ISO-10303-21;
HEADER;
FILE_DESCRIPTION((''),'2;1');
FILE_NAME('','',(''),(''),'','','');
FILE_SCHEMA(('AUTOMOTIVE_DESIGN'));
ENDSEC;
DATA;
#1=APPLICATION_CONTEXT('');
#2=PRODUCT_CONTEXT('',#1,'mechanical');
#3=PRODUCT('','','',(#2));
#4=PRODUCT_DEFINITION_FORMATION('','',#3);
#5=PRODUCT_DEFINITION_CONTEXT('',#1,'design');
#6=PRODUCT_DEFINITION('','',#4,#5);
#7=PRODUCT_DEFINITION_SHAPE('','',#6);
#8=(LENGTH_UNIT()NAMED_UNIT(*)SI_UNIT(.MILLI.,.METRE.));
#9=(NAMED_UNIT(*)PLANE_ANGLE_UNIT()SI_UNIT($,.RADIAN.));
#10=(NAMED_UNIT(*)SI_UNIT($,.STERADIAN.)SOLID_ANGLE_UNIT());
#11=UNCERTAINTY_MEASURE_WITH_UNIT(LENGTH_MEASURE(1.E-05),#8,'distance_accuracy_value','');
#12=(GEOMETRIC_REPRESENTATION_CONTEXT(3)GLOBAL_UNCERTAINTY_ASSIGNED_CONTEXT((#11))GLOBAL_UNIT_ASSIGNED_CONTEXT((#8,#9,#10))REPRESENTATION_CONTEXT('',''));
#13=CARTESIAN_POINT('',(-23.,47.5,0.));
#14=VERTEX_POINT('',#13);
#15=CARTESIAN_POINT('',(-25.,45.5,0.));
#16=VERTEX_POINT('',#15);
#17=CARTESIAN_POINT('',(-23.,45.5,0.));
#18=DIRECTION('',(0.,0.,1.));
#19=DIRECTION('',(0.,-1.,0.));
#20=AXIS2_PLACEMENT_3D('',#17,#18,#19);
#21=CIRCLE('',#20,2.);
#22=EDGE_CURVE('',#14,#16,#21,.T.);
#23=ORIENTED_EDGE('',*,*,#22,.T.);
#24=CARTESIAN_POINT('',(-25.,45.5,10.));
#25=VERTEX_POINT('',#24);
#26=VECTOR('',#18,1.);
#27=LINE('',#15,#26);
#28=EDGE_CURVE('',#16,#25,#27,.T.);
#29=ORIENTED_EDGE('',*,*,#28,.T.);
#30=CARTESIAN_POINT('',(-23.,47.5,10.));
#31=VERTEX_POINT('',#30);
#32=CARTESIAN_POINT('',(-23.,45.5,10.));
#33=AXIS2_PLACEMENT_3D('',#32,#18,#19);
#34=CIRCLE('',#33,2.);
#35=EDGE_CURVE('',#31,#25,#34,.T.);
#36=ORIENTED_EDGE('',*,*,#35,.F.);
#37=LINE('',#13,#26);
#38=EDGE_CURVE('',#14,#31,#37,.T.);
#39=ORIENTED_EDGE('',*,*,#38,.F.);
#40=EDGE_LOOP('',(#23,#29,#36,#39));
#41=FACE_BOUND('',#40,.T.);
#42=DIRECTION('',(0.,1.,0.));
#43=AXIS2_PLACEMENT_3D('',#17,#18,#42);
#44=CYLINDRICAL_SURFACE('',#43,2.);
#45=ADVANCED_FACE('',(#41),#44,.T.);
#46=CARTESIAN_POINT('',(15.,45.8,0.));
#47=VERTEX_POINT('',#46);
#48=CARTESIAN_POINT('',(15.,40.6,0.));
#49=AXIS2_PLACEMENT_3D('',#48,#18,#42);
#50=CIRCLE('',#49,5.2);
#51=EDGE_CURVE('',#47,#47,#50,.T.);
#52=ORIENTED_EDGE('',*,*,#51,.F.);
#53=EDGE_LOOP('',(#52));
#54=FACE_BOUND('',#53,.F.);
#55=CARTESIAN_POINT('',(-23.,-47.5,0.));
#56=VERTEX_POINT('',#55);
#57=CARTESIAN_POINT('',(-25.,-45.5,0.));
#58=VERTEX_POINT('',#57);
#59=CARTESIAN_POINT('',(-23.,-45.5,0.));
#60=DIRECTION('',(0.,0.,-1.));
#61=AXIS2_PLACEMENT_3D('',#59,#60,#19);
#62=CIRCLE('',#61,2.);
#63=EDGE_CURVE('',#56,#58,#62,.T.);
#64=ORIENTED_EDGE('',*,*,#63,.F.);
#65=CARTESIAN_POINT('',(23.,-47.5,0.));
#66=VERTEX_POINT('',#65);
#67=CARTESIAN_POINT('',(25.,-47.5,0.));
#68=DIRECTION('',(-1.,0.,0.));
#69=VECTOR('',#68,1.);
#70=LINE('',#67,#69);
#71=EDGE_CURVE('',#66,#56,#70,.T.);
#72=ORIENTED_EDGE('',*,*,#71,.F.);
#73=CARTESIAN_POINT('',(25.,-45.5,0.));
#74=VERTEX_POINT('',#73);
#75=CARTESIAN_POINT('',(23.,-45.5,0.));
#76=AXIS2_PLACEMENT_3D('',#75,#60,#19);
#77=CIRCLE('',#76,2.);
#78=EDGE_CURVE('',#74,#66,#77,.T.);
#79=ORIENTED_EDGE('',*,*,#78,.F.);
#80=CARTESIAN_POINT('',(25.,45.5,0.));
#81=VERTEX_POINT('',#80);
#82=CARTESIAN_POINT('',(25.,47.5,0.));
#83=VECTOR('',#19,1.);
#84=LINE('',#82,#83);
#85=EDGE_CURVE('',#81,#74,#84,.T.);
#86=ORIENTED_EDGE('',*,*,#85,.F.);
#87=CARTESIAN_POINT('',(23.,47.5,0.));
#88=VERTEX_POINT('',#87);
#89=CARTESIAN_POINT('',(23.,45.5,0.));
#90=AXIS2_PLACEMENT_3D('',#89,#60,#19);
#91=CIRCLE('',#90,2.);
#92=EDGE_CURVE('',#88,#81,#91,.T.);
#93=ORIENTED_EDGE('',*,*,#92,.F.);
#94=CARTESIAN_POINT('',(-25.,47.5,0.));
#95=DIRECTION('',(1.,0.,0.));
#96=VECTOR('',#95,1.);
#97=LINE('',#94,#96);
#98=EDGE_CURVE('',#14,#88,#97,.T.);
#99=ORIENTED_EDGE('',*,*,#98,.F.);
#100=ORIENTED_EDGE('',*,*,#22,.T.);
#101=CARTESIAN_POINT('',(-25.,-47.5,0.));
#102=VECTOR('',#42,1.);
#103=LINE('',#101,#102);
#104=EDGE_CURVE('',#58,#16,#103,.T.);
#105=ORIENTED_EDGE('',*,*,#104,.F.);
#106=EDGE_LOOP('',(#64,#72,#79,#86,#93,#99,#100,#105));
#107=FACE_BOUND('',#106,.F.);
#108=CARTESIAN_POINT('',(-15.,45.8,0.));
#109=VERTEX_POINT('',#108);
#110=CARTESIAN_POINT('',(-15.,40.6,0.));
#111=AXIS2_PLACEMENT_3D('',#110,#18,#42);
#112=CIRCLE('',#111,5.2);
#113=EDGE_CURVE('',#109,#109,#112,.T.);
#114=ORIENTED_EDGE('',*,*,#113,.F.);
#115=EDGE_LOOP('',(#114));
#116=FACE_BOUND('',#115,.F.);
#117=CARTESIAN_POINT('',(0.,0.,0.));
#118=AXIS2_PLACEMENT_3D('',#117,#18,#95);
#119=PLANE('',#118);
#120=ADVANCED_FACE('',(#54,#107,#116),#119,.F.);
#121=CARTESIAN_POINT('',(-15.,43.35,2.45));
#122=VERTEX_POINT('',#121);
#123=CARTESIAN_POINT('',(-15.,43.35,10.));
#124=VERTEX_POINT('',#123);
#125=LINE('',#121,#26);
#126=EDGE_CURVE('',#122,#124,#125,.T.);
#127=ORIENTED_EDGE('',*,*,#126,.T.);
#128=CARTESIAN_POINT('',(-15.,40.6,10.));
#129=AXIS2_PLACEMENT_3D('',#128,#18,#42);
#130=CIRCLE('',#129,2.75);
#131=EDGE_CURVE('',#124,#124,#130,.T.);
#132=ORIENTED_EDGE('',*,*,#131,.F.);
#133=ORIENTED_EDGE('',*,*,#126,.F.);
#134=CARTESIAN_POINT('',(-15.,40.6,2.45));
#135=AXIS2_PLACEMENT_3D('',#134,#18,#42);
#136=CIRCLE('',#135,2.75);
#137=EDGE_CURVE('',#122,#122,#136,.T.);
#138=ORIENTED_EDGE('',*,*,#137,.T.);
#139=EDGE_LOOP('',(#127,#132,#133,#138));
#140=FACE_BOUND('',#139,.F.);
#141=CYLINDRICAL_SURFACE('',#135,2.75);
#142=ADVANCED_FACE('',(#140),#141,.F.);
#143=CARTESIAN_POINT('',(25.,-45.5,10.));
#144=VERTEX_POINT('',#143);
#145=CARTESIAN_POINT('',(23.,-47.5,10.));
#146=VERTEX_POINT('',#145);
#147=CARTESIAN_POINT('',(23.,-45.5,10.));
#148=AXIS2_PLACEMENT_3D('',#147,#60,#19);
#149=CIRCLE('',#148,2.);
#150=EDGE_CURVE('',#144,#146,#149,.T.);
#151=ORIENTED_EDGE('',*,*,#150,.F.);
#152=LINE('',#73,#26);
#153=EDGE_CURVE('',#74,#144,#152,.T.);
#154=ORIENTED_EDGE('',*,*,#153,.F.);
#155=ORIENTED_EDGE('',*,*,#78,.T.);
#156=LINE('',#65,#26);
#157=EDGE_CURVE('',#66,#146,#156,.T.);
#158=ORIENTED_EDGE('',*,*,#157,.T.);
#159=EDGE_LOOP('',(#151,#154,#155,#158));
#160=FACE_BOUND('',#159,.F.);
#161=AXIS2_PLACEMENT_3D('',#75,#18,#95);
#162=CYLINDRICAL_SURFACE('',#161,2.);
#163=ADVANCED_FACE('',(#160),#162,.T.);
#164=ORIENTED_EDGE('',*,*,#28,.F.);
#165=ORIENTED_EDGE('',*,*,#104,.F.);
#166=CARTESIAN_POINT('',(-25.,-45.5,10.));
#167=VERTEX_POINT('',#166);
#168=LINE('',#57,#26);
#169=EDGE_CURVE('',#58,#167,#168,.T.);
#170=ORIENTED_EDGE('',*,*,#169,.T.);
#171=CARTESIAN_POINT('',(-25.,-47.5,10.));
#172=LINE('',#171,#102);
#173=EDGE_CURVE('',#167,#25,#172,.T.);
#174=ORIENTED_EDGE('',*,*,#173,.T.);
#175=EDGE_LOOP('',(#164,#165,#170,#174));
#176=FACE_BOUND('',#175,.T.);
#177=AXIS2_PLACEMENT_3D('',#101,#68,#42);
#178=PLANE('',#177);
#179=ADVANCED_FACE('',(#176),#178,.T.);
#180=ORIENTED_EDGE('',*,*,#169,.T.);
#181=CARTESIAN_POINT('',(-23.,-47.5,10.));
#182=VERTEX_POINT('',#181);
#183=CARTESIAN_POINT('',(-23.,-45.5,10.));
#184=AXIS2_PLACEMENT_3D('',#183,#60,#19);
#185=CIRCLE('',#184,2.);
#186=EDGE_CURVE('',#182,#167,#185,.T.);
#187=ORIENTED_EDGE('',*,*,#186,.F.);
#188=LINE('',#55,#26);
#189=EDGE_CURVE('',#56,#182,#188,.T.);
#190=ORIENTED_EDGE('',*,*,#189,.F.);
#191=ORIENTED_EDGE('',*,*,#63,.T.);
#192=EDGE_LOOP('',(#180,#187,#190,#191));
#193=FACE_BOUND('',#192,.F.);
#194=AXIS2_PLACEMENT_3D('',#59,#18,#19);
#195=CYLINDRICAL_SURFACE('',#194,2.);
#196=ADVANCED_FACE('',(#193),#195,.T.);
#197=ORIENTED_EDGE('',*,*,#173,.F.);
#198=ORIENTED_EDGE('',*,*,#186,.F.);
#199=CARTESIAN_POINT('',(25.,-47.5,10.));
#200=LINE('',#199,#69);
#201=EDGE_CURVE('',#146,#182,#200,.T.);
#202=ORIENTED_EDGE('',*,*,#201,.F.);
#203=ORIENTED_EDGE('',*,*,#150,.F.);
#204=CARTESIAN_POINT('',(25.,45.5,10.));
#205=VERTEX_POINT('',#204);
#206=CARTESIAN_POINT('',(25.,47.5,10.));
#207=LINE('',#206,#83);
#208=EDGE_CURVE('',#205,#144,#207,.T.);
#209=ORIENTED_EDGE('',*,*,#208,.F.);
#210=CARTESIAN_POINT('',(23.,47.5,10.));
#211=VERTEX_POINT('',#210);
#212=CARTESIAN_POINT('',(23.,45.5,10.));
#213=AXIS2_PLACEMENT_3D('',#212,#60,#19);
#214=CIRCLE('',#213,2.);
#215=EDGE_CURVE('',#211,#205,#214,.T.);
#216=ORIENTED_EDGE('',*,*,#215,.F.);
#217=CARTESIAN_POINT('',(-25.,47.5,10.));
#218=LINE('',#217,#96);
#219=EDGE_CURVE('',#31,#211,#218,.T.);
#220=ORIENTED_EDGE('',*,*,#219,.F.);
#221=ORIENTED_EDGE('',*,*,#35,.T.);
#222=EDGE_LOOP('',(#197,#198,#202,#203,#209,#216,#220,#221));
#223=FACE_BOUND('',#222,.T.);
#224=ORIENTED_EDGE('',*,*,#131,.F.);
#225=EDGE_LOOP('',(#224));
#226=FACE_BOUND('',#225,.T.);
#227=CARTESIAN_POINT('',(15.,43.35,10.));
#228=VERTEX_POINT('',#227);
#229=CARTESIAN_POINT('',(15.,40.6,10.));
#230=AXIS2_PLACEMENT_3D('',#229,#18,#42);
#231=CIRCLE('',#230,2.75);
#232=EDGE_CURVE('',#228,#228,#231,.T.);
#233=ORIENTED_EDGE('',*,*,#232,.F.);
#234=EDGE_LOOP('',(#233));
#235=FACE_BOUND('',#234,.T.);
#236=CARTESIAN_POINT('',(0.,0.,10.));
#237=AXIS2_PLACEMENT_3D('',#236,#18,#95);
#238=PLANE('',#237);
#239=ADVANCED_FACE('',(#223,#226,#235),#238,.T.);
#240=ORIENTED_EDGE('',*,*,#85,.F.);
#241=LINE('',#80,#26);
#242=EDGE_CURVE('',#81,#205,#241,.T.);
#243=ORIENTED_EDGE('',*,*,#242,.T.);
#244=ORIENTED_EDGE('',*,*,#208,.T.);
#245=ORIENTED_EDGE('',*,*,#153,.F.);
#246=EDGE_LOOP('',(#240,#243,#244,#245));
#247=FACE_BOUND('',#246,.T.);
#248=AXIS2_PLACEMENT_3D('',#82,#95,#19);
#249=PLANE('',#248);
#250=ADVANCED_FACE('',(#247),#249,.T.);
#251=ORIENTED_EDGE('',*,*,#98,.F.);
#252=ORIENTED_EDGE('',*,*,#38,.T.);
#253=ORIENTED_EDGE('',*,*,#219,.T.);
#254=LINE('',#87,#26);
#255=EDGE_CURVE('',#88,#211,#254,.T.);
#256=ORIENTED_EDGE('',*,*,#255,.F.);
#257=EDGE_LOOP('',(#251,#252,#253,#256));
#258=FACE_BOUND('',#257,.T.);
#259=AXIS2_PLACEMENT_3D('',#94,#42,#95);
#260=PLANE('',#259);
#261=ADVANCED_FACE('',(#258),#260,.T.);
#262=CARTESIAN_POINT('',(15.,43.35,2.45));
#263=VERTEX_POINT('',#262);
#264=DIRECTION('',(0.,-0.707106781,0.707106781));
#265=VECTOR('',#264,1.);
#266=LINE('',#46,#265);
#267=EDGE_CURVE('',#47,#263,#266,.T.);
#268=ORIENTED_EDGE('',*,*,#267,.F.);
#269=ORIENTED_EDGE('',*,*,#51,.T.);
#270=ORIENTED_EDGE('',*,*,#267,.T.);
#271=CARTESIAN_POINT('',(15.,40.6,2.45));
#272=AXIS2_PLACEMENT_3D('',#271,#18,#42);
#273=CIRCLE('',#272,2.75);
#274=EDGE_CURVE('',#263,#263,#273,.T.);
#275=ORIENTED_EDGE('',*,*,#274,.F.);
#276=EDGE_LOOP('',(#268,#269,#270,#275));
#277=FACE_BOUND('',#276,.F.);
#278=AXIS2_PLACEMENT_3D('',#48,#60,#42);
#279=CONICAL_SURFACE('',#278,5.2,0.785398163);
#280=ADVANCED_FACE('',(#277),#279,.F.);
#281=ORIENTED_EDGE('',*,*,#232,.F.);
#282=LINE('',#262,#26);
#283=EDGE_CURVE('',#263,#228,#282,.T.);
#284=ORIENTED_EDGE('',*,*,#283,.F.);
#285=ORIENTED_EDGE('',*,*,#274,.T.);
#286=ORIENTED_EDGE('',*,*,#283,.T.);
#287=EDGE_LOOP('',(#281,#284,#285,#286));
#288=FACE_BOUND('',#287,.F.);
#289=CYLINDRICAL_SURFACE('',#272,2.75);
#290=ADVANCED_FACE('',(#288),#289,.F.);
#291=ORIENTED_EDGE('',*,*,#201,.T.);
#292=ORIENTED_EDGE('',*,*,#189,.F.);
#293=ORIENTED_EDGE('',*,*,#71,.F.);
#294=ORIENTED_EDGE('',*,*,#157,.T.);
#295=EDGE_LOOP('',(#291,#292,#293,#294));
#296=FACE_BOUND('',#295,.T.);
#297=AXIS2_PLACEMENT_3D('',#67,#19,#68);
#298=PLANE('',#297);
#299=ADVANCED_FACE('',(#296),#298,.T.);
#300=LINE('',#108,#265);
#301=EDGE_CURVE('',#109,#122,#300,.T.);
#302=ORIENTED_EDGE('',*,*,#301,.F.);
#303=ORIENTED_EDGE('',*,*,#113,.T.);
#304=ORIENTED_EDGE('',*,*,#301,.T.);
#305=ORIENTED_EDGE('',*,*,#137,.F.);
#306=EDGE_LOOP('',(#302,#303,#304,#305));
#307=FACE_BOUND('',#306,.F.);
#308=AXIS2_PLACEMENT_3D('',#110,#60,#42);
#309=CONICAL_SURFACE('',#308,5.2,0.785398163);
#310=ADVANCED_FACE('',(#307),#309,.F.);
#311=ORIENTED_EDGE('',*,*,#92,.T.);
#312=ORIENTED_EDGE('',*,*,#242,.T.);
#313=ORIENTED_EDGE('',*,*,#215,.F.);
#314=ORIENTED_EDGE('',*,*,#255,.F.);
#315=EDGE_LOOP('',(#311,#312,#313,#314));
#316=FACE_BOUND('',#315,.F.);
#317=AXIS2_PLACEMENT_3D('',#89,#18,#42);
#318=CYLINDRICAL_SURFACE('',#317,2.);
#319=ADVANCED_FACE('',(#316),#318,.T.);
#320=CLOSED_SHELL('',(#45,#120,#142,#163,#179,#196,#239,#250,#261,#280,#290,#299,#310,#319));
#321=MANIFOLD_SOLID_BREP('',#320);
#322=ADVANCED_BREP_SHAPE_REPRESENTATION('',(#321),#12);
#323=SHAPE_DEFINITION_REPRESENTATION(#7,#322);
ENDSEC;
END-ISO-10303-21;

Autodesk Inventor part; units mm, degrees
ref_plane "YZ Plane" through (0, 0, 0) normal (1, 0, 0) x (0, 1, 0)
ref_plane "XZ Plane" through (0, 0, 0) normal (0, 1, 0) x (-1, 0, 0)
ref_plane "XY Plane" through (0, 0, 0) normal (0, 0, 1) x (1, 0, 0)
sketch "Schizzo2" plane through (0, 0, 0) normal (0, 0, 1) x (1, 0, 0)
  line L0 (-25, 47.5) -> (25, 47.5)
  line L1 (25, 47.5) -> (25, -47.5)
  line L2 (25, -47.5) -> (-25, -47.5)
  line L3 (-25, -47.5) -> (-25, 47.5)
  line L4 (-25, 47.5) -> (25, -47.5) construction
  line L5 (25, 47.5) -> (-25, -47.5) construction
  point P0 (0, 0)
  dimension "d0" = 50
  dimension "d1" = 95
extrude "Estrusione1" add sketch "Schizzo2" along normal blind 10
fillet "Raccordo1" radius 2 4 edges at (25, 47.5, 5) (-25, 47.5, 5) (25, -47.5, 5) (-25, -47.5, 5)
sketch "Schizzo3" plane through (0, 0, 0) normal (0, 0, -1) x (-1, 0, 0)
  line L0 (23, 47.5) -> (-23, 47.5) projected
  line L1 (25, -45.5) -> (25, 45.5) projected
  line L2 (-25, 45.5) -> (-25, -45.5) projected
  point P0 (0, 0)
  point P1 (15, 40.6)
  point P2 (-15, 40.6)
  dimension "d5" = 6.9
  dimension "d6" = 10
  dimension "d7" = 10
hole "Foro1" at (-15, 40.6, 0) at (15, 40.6, 0) direction (0, 0, 1) diameter 5.5 end through all countersink diameter 10.4 countersink angle 90 clearance for "Vite a testa svasata piana ISO 2009/7046" size "M5" standard "ISO"
properties part number "Piastra sostegno asse"
